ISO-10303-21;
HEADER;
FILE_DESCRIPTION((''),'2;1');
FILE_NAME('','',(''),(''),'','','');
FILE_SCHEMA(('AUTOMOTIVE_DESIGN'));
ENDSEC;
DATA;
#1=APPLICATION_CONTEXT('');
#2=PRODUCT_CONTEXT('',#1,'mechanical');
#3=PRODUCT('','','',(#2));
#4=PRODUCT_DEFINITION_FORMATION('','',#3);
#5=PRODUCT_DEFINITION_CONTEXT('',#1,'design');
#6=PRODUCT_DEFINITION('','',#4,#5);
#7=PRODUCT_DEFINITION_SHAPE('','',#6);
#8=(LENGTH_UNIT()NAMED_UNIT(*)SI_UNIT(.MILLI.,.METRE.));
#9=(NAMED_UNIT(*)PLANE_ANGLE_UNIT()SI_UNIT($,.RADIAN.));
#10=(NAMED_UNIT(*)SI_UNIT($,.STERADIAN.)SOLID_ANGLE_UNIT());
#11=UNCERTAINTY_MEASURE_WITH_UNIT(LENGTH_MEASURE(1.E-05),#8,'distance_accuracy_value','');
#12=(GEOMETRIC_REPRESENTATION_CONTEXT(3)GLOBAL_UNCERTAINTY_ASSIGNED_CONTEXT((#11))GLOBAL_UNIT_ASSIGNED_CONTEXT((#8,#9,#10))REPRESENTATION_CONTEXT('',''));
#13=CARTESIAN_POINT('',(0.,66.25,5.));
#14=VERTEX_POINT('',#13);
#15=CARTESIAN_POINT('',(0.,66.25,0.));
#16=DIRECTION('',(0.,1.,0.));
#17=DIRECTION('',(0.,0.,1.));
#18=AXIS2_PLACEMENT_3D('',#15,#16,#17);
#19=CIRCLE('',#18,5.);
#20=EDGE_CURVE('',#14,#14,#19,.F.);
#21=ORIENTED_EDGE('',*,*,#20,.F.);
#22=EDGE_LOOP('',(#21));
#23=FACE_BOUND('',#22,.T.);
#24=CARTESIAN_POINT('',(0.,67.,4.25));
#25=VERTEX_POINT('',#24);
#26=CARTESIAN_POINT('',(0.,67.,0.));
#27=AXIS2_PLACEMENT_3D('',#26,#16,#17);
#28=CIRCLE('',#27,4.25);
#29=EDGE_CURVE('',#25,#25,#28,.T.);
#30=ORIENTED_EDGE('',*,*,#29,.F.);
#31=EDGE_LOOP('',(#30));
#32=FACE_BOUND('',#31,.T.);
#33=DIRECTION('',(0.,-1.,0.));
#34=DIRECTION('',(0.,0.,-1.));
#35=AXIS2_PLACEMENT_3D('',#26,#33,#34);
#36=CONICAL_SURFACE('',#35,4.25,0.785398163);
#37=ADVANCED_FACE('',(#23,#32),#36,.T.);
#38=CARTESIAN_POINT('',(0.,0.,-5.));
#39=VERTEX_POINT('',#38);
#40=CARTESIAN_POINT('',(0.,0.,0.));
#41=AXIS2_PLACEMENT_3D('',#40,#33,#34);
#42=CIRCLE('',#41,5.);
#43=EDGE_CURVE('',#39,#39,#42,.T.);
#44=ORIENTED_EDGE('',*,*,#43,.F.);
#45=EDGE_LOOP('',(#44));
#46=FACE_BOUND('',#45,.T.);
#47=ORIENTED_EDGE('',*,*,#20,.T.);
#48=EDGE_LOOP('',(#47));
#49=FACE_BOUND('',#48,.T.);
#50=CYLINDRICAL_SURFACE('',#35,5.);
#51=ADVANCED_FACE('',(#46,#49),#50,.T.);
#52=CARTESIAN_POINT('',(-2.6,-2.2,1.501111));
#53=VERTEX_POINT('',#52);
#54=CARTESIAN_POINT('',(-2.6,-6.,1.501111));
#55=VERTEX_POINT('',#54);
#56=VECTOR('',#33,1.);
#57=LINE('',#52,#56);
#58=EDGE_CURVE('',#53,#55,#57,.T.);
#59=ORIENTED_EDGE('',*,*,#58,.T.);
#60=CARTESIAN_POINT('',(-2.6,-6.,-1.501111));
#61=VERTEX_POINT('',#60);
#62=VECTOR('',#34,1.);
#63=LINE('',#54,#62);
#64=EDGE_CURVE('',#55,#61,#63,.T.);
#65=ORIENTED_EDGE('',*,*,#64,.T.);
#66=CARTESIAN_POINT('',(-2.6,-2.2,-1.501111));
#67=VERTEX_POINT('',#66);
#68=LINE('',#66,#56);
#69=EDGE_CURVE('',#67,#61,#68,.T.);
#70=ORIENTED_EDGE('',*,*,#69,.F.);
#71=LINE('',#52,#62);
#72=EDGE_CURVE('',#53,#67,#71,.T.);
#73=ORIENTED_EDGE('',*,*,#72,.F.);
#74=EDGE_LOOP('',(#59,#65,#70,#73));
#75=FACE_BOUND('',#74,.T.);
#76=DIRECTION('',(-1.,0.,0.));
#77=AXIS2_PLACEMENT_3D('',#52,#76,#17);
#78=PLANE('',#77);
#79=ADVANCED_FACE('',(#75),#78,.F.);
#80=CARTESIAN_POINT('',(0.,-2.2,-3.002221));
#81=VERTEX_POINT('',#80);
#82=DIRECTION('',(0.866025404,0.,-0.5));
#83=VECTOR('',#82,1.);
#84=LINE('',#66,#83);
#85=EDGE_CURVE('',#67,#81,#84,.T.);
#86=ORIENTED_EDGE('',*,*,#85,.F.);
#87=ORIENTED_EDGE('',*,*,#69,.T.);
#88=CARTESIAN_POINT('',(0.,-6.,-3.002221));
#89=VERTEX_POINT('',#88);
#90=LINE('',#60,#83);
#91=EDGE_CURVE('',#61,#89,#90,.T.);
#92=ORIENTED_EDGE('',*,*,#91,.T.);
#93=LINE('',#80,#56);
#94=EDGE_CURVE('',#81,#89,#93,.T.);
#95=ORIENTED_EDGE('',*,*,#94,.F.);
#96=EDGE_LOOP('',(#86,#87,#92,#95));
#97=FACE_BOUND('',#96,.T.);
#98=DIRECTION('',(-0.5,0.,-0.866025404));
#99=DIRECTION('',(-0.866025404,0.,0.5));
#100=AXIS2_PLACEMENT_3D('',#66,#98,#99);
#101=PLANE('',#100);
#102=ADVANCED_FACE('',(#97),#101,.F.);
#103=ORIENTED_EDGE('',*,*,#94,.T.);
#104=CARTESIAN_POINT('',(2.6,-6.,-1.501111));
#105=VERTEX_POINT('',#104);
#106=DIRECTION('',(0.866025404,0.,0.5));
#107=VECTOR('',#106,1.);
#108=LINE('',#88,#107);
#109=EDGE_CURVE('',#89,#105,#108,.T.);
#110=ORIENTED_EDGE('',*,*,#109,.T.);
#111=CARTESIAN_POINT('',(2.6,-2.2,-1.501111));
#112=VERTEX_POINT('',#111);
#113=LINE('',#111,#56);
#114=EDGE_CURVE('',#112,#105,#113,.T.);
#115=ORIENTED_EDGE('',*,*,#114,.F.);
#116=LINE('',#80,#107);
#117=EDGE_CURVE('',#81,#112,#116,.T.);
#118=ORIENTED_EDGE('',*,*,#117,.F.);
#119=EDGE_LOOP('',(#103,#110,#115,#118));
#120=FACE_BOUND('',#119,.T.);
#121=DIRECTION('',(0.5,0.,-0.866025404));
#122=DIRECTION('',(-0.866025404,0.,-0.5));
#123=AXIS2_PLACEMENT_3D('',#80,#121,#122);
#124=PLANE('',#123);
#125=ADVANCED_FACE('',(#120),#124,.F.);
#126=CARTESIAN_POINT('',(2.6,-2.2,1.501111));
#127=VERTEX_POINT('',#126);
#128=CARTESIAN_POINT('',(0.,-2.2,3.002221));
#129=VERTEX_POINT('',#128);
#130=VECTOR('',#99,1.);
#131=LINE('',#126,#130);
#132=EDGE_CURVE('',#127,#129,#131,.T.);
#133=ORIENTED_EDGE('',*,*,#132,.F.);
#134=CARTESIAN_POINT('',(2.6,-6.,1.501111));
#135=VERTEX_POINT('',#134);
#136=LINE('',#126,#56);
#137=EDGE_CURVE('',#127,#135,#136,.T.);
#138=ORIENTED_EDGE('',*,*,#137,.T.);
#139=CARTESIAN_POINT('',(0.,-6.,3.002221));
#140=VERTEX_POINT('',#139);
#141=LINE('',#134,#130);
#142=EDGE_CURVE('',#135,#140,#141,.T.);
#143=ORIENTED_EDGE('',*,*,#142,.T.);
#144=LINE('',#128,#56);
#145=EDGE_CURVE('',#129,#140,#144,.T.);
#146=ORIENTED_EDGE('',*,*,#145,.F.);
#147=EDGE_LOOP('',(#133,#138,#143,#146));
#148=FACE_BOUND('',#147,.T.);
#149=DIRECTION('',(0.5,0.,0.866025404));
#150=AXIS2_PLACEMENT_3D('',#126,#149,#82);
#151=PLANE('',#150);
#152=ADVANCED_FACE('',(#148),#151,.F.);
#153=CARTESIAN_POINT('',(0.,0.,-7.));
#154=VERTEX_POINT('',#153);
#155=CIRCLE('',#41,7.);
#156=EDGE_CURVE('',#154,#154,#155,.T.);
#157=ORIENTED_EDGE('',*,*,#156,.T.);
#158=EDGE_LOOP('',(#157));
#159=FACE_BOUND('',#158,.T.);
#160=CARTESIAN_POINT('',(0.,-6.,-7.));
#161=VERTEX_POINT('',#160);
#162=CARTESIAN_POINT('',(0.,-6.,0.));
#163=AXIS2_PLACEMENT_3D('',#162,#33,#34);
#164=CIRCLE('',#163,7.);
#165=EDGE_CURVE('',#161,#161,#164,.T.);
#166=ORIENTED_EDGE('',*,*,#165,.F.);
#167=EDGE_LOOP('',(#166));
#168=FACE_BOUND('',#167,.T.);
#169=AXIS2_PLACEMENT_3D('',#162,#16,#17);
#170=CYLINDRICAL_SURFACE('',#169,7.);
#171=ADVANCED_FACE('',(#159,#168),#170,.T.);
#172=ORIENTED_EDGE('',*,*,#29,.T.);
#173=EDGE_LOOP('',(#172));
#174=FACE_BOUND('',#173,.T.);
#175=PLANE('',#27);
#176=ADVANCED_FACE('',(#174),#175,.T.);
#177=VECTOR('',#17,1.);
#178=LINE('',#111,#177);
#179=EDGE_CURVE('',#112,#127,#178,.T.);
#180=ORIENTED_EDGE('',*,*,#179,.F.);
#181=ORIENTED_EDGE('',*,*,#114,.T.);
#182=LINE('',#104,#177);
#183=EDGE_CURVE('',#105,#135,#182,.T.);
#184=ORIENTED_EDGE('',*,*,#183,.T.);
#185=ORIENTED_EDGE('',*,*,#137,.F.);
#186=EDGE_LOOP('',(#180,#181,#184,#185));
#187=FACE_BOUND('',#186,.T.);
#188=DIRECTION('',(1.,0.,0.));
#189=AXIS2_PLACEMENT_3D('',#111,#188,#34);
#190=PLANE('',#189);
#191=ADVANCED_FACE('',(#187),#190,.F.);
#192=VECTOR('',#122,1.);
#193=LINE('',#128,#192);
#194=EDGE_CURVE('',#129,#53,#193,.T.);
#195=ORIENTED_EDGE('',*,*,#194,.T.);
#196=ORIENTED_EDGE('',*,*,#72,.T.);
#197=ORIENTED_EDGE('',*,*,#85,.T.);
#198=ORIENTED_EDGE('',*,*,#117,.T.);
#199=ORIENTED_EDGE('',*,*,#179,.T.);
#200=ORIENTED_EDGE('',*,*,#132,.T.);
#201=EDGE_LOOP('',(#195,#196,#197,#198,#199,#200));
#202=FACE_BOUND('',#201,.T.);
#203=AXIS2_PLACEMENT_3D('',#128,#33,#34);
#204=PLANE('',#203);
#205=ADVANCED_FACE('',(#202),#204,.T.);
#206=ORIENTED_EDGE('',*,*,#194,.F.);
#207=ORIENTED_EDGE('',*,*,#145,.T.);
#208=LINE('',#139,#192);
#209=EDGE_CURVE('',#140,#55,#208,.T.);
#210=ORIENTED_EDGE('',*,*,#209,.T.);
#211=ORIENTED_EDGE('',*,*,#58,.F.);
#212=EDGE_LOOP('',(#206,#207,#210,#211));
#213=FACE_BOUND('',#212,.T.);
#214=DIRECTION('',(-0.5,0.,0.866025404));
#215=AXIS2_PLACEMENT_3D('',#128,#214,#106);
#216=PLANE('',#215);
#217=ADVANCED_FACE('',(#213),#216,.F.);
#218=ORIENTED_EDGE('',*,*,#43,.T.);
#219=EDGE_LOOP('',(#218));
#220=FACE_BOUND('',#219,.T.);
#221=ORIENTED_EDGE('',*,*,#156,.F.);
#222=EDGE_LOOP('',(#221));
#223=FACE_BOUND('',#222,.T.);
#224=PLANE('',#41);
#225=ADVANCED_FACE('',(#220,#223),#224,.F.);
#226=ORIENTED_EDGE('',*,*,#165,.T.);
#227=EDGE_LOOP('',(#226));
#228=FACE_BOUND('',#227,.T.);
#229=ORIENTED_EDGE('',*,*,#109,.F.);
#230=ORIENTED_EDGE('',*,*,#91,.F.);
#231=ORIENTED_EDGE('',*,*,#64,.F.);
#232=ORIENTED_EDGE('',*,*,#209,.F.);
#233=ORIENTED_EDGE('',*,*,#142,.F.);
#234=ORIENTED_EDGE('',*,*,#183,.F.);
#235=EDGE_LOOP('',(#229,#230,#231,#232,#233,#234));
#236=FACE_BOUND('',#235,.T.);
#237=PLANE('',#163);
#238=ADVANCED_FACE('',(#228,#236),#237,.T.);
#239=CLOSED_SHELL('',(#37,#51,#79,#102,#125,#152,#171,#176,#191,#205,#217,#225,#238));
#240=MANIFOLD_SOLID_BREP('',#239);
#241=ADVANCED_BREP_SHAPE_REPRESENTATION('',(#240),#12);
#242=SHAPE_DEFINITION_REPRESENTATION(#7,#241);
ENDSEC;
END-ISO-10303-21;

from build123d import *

# Parameters (mm, degrees)
SKETCH1_R           = 5
BOSS_EXTRUDE1_DEPTH = 67
CHAMFER1_SIZE       = 0.75
SKETCH2_R           = 7
BOSS_EXTRUDE2_DEPTH = 6
CUT_EXTRUDE1_DEPTH  = 3.8


with BuildPart() as part:
    # Sketch1 → Boss-Extrude1 (new body)
    with BuildSketch(Plane(origin=(0, 0, 0), x_dir=(1, 0, 0), z_dir=(0, 1, 0))):
        with Locations(Location((0, 0, 0), (0, 0, 270))):
            Circle(SKETCH1_R)
    extrude(amount=BOSS_EXTRUDE1_DEPTH)

    # Chamfer1
    chamfer1_edges = [part.edges().sort_by_distance(p)[0] for p in [
        (0, 67, -5),
    ]]
    chamfer(chamfer1_edges, length=CHAMFER1_SIZE)

    # Sketch2 → Boss-Extrude2 (add)
    with BuildSketch(Plane.XZ):
        with Locations(Location((0, 0, 0), (0, 0, 270))):
            Circle(SKETCH2_R)
    extrude(amount=BOSS_EXTRUDE2_DEPTH)

    # Sketch3 → Cut-Extrude1 (cut)
    with BuildSketch(Plane.XZ.offset(6)):
        Polygon((0, 3.0022214), (-2.6, 1.5011107), (-2.6, -1.5011107), (0, -3.0022214), (2.6, -1.5011107), (2.6, 1.5011107), align=None)
    extrude(amount=-CUT_EXTRUDE1_DEPTH, mode=Mode.SUBTRACT)


solid = part.part
